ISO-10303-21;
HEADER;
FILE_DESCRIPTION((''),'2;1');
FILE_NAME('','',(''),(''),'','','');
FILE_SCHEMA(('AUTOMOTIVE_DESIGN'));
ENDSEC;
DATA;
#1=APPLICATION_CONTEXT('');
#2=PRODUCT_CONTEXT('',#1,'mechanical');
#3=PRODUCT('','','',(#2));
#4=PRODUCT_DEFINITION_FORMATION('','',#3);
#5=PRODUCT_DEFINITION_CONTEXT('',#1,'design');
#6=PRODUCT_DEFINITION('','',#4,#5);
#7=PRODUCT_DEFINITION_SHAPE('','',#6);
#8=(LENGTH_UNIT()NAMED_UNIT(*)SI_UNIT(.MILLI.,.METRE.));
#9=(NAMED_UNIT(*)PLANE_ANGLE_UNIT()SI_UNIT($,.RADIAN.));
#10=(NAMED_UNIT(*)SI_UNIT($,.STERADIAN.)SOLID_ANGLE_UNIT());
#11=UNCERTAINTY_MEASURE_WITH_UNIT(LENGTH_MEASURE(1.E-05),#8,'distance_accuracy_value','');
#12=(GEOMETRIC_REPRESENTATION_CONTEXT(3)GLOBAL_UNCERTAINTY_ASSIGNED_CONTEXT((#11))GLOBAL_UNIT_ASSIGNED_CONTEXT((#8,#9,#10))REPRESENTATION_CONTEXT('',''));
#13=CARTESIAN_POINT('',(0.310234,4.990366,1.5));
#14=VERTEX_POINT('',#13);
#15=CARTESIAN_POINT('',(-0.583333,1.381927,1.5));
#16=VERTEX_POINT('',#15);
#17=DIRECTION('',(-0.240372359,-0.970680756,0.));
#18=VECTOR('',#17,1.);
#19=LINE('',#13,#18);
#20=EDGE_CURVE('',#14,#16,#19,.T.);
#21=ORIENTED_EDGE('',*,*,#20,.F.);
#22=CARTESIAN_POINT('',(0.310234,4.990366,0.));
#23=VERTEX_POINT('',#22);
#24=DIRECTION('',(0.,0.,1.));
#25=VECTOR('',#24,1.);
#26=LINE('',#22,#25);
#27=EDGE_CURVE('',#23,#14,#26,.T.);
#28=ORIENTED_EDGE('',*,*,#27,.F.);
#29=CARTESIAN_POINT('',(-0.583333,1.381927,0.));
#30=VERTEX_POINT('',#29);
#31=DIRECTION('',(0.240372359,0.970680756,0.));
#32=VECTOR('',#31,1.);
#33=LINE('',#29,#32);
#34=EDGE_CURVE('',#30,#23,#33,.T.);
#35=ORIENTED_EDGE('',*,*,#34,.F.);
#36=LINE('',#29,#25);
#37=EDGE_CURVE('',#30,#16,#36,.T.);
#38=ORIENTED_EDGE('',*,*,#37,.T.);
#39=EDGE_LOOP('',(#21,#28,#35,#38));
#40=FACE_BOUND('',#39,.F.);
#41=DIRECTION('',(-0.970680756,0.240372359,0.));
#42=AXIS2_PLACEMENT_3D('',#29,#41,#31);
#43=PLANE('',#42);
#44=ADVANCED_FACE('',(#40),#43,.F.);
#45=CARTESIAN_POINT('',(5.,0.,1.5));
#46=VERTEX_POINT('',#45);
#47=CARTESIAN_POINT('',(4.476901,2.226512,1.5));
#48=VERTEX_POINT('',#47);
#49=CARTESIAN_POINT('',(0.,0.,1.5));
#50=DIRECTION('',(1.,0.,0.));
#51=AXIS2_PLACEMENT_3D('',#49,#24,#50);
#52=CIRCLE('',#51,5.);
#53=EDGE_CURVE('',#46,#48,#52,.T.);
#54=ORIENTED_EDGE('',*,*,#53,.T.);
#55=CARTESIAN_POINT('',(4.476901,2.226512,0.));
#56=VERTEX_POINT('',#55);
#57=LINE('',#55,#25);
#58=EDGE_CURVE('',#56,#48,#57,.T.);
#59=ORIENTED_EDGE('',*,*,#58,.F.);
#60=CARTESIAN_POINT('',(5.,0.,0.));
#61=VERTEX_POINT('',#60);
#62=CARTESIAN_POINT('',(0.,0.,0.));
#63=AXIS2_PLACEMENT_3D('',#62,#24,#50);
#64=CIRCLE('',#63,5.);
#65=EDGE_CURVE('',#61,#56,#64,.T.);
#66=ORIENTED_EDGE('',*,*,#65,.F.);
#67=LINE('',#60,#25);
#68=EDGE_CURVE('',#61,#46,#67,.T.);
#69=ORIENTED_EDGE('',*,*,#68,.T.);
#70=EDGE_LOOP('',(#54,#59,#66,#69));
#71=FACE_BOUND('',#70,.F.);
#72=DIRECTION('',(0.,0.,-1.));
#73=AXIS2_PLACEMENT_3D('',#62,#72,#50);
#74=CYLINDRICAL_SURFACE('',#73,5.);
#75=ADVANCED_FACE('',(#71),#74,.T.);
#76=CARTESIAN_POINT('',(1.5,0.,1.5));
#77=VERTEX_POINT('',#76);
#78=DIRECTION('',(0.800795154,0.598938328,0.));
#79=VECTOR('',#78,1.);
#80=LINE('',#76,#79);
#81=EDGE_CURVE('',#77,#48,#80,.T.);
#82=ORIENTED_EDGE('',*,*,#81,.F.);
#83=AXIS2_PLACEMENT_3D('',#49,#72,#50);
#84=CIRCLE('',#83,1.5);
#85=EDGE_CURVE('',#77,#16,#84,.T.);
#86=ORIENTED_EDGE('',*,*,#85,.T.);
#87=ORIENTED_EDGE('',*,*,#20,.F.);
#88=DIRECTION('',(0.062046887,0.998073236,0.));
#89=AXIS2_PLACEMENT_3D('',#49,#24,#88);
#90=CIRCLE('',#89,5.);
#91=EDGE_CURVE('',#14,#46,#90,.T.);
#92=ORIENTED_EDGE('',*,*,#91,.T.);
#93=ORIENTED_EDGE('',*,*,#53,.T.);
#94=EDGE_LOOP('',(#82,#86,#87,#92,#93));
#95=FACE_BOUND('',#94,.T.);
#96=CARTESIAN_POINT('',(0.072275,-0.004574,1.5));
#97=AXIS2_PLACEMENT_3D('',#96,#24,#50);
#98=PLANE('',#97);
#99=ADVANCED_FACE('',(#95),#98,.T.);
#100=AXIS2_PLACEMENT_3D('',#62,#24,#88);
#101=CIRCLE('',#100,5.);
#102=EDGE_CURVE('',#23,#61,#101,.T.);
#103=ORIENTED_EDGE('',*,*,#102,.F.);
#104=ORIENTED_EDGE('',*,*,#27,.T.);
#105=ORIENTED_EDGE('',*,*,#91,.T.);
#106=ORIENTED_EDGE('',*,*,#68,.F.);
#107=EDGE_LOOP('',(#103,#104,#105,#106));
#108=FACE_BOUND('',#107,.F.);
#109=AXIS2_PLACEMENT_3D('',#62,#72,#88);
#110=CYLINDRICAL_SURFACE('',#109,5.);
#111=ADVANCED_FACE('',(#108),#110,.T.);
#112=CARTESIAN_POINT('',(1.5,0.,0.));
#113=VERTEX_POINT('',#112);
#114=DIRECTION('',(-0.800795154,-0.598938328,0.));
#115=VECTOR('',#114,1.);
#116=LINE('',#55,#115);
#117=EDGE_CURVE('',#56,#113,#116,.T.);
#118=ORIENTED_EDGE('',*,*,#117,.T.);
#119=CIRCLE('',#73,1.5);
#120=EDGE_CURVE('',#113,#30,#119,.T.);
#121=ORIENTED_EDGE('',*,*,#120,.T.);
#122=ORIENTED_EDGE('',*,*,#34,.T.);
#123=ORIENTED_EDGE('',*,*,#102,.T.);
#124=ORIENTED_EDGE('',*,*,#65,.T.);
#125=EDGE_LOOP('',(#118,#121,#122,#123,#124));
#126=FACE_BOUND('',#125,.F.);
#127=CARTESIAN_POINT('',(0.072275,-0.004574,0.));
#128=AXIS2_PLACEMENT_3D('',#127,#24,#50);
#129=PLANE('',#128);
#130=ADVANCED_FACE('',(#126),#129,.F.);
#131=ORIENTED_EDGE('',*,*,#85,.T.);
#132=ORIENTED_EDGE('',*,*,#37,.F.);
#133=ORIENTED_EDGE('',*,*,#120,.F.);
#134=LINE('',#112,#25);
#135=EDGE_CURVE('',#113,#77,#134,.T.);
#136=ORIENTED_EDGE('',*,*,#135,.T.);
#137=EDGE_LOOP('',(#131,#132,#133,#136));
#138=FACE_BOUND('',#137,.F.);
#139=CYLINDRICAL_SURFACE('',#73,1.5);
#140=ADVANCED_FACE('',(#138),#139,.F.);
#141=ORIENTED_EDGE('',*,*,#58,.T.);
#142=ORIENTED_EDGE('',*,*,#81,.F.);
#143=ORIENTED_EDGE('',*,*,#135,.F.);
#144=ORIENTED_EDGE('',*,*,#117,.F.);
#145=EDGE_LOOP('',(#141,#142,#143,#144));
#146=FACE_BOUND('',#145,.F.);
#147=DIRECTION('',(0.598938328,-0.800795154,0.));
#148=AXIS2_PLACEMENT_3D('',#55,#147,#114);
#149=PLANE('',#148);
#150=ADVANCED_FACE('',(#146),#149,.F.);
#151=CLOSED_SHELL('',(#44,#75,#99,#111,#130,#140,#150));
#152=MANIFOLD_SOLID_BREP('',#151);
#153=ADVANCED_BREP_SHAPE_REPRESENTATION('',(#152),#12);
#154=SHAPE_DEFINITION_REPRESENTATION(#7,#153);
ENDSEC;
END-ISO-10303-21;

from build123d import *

# Parameters (mm, degrees)
F3_DEPTH = 1.5
F4_R     = 4
F5_DEPTH = 0.5


with BuildPart() as f3:
    # F2 (on Top) → F3 (new body)
    with BuildSketch(Plane.XY):
        with BuildLine():
            ThreePointArc((0.3102344361, 4.9903661784), (-3.6435677694, -3.4240931515), (5, 0))
            ThreePointArc((5, 0), (4.8674688244, 1.1435677694), (4.4769011027, 2.2265121865))
            Line((4.4769011027, 2.2265121865), (1.5, 0))
            ThreePointArc((1.5, 0), (-0.8291561976, -1.25), (-0.5833333333, 1.381926996))
            Line((-0.5833333333, 1.381926996), (0.3102344361, 4.9903661784))
        make_face()
    extrude(amount=F3_DEPTH)

    # F4 (on face) → F5 (cut)
    with BuildSketch(Plane.XY.offset(1.5)):
        Circle(F4_R)
    extrude(amount=F5_DEPTH, mode=Mode.SUBTRACT)


solid = f3.part
